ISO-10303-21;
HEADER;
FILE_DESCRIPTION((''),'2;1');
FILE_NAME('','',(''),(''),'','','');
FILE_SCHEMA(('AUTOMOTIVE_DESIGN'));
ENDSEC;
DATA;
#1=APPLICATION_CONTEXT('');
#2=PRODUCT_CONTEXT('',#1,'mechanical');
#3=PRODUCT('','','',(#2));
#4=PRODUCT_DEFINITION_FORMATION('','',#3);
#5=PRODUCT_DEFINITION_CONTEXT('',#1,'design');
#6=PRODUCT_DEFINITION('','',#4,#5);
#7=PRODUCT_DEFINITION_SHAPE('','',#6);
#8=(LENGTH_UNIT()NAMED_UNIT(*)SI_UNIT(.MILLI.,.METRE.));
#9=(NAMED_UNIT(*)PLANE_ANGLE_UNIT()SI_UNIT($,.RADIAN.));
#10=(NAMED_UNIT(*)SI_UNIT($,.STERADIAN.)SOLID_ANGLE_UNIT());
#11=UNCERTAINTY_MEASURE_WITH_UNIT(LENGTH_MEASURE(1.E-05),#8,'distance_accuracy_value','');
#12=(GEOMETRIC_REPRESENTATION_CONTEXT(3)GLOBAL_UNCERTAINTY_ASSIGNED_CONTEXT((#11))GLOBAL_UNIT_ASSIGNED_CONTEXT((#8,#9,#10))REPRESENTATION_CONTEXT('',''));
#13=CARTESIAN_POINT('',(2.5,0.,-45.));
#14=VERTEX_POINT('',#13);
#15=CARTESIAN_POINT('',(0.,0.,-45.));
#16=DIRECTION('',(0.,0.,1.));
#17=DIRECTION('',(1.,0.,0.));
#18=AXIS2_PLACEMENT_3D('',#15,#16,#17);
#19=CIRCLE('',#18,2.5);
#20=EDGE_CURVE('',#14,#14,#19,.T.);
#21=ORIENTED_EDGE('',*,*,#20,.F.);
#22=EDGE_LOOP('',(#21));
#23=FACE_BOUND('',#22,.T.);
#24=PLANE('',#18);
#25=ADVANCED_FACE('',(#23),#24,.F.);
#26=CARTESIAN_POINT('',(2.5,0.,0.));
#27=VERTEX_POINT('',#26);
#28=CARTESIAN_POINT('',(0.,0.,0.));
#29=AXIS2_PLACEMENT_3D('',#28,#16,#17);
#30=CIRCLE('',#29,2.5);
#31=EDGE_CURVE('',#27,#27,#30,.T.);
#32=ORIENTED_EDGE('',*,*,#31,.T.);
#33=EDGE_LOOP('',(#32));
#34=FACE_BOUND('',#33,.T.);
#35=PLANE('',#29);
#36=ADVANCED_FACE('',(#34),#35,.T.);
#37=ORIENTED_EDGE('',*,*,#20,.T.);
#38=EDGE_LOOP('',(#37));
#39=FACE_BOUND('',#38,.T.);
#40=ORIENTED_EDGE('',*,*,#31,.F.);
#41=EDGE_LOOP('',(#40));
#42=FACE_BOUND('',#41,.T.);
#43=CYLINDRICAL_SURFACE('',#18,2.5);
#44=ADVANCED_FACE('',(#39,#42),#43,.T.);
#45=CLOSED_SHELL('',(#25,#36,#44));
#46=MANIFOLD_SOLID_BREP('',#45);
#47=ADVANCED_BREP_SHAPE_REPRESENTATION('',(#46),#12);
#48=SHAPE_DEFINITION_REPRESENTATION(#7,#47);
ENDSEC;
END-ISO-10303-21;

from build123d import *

# Parameters (mm, degrees)
SKETCH1_R           = 2.5
BOSS_EXTRUDE1_DEPTH = 45


with BuildPart() as part:
    # Sketch1 → Boss-Extrude1 (new body)
    with BuildSketch(Plane.XY):
        Circle(SKETCH1_R)
    extrude(amount=-BOSS_EXTRUDE1_DEPTH)


solid = part.part
